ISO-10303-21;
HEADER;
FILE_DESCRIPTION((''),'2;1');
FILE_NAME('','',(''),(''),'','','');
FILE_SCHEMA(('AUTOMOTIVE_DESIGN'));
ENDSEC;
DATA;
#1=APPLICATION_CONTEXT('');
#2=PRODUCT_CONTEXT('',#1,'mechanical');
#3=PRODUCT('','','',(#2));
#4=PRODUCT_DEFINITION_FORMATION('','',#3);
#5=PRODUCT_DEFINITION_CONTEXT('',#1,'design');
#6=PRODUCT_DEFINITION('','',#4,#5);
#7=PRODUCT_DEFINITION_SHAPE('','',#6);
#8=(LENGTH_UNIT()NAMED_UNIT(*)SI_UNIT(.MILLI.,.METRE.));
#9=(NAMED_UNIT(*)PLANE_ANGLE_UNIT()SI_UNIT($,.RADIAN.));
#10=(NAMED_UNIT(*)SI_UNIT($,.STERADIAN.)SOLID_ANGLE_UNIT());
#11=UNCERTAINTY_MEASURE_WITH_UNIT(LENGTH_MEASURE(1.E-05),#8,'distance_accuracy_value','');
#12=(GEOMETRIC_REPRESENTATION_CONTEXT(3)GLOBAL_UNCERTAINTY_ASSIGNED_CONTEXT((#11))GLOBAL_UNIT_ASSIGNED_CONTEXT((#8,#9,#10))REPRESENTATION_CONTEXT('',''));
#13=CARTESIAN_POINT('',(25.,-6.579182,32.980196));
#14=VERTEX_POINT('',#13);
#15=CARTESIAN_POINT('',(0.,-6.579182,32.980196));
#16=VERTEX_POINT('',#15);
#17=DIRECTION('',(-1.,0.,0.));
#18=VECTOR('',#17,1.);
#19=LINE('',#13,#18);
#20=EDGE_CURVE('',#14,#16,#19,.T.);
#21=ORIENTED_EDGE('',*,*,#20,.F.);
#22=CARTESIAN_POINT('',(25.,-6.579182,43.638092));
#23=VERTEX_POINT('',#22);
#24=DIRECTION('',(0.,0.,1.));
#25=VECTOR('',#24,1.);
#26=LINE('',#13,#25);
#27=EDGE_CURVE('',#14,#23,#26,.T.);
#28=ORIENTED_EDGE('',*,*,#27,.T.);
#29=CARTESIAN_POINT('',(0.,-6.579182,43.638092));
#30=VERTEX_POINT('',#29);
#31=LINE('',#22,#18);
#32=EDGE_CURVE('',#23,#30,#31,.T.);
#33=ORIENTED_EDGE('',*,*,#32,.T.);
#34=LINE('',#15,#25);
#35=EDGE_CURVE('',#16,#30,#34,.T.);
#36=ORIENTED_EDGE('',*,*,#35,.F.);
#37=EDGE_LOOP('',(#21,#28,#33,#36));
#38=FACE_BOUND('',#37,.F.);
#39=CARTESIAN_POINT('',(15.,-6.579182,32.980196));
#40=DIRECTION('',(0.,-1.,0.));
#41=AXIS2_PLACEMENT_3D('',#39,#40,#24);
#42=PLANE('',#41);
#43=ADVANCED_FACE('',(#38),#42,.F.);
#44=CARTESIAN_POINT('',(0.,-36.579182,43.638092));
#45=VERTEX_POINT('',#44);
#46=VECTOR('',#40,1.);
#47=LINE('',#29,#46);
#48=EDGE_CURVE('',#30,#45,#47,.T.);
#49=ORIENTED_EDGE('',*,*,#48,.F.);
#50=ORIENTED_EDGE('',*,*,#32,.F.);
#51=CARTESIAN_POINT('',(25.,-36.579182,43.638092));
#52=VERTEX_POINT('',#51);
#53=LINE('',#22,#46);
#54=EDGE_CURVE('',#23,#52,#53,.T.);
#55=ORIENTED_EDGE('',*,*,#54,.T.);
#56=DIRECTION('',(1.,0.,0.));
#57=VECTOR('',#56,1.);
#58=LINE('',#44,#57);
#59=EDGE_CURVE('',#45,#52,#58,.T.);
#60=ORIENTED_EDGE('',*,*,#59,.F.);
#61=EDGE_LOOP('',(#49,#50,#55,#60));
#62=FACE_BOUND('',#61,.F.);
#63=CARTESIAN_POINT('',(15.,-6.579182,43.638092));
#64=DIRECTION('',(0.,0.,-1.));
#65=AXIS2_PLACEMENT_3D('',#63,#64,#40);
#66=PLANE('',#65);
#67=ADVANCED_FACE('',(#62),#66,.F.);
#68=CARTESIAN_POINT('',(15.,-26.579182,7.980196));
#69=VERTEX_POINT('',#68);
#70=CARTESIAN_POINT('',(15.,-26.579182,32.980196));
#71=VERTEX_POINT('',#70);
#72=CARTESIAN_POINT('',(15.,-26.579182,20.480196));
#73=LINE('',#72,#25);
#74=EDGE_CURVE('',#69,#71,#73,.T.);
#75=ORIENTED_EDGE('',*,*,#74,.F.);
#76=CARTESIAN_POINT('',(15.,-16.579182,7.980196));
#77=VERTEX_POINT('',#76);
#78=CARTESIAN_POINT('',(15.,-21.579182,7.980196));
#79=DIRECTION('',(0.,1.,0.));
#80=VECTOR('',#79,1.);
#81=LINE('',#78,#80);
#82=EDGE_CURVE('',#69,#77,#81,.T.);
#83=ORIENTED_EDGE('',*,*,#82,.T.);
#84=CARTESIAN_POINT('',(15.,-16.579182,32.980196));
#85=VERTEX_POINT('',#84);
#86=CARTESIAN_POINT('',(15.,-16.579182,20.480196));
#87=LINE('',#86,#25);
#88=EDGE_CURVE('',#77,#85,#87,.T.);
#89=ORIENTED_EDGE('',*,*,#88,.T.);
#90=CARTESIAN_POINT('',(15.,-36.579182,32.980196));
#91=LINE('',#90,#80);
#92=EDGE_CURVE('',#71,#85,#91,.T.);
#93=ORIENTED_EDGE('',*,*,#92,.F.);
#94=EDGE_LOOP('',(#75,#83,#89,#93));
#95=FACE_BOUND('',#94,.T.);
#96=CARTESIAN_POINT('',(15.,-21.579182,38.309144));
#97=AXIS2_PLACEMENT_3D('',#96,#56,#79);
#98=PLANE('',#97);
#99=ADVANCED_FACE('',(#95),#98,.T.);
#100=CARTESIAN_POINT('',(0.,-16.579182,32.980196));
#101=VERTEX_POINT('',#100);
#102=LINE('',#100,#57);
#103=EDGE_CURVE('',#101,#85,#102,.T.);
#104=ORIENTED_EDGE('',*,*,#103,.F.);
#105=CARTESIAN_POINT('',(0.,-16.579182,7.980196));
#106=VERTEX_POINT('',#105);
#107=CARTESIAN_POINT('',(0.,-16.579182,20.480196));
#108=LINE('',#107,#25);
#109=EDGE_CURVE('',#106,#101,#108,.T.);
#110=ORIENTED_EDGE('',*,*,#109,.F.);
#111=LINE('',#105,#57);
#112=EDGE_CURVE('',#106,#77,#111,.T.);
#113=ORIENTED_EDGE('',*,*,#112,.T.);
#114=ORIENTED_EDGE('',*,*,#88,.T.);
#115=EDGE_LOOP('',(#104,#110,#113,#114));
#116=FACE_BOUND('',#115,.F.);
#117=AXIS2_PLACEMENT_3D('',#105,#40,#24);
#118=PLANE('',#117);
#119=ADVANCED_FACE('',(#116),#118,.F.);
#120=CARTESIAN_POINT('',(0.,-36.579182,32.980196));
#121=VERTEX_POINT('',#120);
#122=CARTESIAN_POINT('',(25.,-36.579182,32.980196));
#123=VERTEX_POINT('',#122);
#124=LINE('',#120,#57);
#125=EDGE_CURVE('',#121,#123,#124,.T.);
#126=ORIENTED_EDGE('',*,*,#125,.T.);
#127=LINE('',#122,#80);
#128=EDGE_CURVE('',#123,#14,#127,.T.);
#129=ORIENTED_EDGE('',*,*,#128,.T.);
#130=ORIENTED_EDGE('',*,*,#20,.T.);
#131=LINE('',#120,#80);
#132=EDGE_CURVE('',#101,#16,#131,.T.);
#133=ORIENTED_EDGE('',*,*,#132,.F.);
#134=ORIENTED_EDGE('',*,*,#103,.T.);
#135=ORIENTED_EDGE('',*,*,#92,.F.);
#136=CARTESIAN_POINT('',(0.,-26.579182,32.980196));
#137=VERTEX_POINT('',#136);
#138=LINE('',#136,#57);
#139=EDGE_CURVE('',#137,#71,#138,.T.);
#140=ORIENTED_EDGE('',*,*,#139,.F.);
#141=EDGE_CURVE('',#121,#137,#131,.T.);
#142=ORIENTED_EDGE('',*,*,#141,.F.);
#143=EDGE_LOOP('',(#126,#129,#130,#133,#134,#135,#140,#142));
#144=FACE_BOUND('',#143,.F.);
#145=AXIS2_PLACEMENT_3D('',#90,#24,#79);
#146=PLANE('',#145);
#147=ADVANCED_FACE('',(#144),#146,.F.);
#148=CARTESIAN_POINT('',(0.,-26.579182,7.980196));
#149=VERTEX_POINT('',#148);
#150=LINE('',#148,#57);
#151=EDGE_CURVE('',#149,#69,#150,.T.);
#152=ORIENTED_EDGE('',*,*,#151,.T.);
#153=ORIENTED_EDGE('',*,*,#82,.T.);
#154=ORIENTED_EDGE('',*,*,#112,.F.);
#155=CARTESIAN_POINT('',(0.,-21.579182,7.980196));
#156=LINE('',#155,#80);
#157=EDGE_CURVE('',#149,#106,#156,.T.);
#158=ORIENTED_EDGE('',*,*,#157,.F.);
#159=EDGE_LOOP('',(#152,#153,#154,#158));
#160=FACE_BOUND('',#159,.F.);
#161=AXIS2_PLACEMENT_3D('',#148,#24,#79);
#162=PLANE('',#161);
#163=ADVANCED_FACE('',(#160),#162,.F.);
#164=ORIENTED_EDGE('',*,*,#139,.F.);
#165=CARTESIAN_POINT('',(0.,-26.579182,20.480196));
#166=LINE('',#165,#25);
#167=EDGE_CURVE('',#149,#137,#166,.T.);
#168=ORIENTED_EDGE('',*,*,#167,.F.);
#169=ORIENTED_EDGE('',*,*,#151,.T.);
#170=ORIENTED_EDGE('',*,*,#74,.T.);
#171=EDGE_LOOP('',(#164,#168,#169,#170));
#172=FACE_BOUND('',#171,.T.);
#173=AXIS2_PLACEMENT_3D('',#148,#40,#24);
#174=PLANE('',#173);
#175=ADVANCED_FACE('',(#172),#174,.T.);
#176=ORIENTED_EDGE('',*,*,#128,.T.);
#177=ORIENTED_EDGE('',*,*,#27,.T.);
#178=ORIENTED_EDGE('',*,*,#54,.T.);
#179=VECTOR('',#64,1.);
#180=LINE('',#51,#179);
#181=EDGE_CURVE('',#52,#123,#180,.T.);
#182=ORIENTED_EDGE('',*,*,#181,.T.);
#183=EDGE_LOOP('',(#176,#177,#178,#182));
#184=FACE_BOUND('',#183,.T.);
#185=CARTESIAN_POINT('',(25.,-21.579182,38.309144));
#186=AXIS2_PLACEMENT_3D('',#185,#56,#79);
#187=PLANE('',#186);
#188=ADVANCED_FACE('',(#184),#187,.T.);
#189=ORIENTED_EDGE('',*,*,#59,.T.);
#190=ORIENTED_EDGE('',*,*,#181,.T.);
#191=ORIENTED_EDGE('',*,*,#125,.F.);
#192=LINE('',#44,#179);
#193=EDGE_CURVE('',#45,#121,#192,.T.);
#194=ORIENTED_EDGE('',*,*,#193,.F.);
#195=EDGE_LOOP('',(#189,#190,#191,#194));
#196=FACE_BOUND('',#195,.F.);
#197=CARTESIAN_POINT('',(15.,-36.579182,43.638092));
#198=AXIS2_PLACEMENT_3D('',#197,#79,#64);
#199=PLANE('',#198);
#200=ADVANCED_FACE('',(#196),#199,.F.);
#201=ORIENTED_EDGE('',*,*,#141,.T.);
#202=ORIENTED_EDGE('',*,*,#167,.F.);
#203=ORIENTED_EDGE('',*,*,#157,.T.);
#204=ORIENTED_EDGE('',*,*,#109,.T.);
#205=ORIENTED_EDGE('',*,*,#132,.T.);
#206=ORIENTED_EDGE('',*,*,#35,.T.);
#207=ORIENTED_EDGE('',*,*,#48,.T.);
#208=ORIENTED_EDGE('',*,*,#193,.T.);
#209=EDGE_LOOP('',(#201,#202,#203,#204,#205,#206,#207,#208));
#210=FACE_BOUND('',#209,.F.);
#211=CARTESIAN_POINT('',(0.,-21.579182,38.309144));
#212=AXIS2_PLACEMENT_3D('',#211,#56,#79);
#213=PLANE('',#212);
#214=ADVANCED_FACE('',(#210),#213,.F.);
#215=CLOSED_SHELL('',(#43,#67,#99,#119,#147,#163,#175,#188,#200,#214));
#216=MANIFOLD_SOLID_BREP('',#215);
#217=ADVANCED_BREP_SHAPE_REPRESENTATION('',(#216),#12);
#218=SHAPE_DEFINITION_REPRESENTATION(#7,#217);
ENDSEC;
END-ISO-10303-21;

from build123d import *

# Parameters (mm, degrees)
F0_W     = 10
F0_H     = 25
F1_DEPTH = 15
F3_DEPTH = 10


with BuildPart() as f1:
    # F0 (on Right) → F1 (new body)
    with BuildSketch(Plane.YZ):
        Polygon((-6.579182, 43.638092), (-36.579182, 43.638092), (-36.579182, 32.980196), (-26.579182, 32.980196), (-16.579182, 32.980196), (-6.579182, 32.980196), align=None)
        with Locations((-21.579182, 20.480196)):
            Rectangle(F0_W, F0_H)
    extrude(amount=F1_DEPTH)

    # F2 (on face) → F3 (join)
    with BuildSketch(Plane.YZ.offset(15)):
        Polygon((-6.579182, 43.638092), (-36.579182, 43.638092), (-36.579182, 32.980196), (-26.579182, 32.980196), (-16.579182, 32.980196), (-6.579182, 32.980196), align=None)
    extrude(amount=F3_DEPTH)


solid = f1.part
